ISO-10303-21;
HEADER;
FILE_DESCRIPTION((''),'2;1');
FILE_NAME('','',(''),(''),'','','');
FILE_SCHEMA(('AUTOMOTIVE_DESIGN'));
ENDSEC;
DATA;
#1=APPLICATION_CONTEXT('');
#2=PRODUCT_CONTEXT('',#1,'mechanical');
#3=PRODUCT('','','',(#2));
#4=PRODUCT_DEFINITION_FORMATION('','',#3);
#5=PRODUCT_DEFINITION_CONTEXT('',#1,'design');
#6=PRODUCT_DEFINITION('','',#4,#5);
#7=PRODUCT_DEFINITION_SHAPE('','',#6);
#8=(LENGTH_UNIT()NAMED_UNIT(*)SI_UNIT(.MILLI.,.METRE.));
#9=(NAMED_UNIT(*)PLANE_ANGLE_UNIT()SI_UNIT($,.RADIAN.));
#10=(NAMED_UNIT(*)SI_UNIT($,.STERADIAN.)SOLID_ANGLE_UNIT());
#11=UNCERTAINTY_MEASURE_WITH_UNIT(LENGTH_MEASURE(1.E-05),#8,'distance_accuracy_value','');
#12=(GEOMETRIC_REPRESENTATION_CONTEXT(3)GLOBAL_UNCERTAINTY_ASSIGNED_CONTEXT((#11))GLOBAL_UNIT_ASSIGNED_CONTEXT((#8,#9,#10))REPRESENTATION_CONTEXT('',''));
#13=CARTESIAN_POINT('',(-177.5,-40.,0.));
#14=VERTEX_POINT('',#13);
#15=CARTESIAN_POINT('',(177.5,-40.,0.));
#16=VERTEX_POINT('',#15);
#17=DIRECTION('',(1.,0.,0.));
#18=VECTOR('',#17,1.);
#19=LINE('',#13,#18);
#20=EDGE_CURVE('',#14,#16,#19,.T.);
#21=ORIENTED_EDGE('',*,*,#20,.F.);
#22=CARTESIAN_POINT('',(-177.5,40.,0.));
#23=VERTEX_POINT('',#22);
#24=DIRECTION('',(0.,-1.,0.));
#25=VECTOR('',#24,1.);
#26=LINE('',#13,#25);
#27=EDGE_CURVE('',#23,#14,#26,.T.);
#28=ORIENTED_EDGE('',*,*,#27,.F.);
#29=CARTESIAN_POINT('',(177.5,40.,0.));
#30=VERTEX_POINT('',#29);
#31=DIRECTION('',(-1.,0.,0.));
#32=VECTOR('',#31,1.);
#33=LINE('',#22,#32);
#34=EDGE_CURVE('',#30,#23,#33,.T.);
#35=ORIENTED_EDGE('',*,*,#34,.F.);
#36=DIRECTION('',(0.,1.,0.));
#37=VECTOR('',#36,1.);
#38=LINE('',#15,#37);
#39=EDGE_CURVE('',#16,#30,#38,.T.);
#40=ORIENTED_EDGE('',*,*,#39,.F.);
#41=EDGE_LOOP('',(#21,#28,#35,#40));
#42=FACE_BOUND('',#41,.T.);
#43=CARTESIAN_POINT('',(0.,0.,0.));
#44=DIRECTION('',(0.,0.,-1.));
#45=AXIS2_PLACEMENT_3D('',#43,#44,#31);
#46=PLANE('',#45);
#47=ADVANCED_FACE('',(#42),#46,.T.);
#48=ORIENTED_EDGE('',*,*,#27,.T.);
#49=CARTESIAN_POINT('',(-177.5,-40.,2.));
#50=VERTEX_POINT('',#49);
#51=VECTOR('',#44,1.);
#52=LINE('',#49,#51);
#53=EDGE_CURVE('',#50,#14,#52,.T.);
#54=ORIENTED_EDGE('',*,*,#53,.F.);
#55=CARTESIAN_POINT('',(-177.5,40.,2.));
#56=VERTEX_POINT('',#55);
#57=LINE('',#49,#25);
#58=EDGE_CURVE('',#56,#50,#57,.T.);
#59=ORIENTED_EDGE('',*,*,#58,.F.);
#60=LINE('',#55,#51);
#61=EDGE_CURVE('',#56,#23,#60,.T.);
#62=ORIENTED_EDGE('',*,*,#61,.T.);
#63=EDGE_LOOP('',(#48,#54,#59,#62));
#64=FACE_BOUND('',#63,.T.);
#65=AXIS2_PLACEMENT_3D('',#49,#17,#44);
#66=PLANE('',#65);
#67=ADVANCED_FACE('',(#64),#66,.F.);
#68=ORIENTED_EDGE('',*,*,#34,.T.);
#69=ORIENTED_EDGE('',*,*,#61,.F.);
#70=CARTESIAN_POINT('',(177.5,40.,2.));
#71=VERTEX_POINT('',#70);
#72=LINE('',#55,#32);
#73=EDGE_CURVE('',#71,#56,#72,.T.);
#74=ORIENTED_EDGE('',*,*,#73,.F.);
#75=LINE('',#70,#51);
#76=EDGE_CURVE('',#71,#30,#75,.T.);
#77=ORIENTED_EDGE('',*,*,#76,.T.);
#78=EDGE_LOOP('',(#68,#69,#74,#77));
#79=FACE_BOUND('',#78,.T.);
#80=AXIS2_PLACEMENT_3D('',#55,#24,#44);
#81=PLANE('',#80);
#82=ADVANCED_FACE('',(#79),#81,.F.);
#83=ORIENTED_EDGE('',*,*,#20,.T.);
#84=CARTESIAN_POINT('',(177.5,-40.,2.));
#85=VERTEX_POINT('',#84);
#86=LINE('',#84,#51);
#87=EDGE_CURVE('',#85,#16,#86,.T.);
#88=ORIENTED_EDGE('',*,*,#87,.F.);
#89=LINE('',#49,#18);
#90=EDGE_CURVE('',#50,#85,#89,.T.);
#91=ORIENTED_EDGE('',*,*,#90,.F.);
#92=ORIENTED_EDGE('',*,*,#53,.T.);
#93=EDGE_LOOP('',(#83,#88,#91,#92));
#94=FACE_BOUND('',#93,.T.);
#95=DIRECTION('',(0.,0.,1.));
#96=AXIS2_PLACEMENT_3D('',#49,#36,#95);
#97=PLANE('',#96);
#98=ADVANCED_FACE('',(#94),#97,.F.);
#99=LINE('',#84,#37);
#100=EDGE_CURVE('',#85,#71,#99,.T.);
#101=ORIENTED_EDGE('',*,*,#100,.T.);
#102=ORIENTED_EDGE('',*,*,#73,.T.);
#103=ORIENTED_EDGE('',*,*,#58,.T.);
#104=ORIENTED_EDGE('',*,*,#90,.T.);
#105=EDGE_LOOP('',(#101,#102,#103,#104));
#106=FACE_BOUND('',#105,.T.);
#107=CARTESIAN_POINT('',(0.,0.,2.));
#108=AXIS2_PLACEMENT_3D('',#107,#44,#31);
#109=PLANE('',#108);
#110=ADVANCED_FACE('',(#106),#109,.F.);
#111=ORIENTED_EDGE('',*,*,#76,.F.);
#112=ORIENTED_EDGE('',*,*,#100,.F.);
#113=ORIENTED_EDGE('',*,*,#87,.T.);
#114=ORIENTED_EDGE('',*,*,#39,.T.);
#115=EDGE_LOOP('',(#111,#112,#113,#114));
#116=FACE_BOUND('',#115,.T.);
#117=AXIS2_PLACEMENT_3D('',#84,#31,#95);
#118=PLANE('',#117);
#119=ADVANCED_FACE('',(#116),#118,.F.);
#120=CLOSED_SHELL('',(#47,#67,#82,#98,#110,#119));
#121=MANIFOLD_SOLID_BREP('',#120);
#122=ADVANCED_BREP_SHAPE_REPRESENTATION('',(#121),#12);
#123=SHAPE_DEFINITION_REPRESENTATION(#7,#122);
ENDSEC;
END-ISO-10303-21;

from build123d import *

# Parameters (mm, degrees)
ESBO_O1_W                = 355
ESBO_O1_H                = 80
RESSALTO_EXTRUS_O1_DEPTH = 2


with BuildPart() as part:
    # Esboço1 → Ressalto-extrusão1 (new body)
    with BuildSketch(Plane.XY):
        Rectangle(ESBO_O1_W, ESBO_O1_H)
    extrude(amount=RESSALTO_EXTRUS_O1_DEPTH)


solid = part.part
